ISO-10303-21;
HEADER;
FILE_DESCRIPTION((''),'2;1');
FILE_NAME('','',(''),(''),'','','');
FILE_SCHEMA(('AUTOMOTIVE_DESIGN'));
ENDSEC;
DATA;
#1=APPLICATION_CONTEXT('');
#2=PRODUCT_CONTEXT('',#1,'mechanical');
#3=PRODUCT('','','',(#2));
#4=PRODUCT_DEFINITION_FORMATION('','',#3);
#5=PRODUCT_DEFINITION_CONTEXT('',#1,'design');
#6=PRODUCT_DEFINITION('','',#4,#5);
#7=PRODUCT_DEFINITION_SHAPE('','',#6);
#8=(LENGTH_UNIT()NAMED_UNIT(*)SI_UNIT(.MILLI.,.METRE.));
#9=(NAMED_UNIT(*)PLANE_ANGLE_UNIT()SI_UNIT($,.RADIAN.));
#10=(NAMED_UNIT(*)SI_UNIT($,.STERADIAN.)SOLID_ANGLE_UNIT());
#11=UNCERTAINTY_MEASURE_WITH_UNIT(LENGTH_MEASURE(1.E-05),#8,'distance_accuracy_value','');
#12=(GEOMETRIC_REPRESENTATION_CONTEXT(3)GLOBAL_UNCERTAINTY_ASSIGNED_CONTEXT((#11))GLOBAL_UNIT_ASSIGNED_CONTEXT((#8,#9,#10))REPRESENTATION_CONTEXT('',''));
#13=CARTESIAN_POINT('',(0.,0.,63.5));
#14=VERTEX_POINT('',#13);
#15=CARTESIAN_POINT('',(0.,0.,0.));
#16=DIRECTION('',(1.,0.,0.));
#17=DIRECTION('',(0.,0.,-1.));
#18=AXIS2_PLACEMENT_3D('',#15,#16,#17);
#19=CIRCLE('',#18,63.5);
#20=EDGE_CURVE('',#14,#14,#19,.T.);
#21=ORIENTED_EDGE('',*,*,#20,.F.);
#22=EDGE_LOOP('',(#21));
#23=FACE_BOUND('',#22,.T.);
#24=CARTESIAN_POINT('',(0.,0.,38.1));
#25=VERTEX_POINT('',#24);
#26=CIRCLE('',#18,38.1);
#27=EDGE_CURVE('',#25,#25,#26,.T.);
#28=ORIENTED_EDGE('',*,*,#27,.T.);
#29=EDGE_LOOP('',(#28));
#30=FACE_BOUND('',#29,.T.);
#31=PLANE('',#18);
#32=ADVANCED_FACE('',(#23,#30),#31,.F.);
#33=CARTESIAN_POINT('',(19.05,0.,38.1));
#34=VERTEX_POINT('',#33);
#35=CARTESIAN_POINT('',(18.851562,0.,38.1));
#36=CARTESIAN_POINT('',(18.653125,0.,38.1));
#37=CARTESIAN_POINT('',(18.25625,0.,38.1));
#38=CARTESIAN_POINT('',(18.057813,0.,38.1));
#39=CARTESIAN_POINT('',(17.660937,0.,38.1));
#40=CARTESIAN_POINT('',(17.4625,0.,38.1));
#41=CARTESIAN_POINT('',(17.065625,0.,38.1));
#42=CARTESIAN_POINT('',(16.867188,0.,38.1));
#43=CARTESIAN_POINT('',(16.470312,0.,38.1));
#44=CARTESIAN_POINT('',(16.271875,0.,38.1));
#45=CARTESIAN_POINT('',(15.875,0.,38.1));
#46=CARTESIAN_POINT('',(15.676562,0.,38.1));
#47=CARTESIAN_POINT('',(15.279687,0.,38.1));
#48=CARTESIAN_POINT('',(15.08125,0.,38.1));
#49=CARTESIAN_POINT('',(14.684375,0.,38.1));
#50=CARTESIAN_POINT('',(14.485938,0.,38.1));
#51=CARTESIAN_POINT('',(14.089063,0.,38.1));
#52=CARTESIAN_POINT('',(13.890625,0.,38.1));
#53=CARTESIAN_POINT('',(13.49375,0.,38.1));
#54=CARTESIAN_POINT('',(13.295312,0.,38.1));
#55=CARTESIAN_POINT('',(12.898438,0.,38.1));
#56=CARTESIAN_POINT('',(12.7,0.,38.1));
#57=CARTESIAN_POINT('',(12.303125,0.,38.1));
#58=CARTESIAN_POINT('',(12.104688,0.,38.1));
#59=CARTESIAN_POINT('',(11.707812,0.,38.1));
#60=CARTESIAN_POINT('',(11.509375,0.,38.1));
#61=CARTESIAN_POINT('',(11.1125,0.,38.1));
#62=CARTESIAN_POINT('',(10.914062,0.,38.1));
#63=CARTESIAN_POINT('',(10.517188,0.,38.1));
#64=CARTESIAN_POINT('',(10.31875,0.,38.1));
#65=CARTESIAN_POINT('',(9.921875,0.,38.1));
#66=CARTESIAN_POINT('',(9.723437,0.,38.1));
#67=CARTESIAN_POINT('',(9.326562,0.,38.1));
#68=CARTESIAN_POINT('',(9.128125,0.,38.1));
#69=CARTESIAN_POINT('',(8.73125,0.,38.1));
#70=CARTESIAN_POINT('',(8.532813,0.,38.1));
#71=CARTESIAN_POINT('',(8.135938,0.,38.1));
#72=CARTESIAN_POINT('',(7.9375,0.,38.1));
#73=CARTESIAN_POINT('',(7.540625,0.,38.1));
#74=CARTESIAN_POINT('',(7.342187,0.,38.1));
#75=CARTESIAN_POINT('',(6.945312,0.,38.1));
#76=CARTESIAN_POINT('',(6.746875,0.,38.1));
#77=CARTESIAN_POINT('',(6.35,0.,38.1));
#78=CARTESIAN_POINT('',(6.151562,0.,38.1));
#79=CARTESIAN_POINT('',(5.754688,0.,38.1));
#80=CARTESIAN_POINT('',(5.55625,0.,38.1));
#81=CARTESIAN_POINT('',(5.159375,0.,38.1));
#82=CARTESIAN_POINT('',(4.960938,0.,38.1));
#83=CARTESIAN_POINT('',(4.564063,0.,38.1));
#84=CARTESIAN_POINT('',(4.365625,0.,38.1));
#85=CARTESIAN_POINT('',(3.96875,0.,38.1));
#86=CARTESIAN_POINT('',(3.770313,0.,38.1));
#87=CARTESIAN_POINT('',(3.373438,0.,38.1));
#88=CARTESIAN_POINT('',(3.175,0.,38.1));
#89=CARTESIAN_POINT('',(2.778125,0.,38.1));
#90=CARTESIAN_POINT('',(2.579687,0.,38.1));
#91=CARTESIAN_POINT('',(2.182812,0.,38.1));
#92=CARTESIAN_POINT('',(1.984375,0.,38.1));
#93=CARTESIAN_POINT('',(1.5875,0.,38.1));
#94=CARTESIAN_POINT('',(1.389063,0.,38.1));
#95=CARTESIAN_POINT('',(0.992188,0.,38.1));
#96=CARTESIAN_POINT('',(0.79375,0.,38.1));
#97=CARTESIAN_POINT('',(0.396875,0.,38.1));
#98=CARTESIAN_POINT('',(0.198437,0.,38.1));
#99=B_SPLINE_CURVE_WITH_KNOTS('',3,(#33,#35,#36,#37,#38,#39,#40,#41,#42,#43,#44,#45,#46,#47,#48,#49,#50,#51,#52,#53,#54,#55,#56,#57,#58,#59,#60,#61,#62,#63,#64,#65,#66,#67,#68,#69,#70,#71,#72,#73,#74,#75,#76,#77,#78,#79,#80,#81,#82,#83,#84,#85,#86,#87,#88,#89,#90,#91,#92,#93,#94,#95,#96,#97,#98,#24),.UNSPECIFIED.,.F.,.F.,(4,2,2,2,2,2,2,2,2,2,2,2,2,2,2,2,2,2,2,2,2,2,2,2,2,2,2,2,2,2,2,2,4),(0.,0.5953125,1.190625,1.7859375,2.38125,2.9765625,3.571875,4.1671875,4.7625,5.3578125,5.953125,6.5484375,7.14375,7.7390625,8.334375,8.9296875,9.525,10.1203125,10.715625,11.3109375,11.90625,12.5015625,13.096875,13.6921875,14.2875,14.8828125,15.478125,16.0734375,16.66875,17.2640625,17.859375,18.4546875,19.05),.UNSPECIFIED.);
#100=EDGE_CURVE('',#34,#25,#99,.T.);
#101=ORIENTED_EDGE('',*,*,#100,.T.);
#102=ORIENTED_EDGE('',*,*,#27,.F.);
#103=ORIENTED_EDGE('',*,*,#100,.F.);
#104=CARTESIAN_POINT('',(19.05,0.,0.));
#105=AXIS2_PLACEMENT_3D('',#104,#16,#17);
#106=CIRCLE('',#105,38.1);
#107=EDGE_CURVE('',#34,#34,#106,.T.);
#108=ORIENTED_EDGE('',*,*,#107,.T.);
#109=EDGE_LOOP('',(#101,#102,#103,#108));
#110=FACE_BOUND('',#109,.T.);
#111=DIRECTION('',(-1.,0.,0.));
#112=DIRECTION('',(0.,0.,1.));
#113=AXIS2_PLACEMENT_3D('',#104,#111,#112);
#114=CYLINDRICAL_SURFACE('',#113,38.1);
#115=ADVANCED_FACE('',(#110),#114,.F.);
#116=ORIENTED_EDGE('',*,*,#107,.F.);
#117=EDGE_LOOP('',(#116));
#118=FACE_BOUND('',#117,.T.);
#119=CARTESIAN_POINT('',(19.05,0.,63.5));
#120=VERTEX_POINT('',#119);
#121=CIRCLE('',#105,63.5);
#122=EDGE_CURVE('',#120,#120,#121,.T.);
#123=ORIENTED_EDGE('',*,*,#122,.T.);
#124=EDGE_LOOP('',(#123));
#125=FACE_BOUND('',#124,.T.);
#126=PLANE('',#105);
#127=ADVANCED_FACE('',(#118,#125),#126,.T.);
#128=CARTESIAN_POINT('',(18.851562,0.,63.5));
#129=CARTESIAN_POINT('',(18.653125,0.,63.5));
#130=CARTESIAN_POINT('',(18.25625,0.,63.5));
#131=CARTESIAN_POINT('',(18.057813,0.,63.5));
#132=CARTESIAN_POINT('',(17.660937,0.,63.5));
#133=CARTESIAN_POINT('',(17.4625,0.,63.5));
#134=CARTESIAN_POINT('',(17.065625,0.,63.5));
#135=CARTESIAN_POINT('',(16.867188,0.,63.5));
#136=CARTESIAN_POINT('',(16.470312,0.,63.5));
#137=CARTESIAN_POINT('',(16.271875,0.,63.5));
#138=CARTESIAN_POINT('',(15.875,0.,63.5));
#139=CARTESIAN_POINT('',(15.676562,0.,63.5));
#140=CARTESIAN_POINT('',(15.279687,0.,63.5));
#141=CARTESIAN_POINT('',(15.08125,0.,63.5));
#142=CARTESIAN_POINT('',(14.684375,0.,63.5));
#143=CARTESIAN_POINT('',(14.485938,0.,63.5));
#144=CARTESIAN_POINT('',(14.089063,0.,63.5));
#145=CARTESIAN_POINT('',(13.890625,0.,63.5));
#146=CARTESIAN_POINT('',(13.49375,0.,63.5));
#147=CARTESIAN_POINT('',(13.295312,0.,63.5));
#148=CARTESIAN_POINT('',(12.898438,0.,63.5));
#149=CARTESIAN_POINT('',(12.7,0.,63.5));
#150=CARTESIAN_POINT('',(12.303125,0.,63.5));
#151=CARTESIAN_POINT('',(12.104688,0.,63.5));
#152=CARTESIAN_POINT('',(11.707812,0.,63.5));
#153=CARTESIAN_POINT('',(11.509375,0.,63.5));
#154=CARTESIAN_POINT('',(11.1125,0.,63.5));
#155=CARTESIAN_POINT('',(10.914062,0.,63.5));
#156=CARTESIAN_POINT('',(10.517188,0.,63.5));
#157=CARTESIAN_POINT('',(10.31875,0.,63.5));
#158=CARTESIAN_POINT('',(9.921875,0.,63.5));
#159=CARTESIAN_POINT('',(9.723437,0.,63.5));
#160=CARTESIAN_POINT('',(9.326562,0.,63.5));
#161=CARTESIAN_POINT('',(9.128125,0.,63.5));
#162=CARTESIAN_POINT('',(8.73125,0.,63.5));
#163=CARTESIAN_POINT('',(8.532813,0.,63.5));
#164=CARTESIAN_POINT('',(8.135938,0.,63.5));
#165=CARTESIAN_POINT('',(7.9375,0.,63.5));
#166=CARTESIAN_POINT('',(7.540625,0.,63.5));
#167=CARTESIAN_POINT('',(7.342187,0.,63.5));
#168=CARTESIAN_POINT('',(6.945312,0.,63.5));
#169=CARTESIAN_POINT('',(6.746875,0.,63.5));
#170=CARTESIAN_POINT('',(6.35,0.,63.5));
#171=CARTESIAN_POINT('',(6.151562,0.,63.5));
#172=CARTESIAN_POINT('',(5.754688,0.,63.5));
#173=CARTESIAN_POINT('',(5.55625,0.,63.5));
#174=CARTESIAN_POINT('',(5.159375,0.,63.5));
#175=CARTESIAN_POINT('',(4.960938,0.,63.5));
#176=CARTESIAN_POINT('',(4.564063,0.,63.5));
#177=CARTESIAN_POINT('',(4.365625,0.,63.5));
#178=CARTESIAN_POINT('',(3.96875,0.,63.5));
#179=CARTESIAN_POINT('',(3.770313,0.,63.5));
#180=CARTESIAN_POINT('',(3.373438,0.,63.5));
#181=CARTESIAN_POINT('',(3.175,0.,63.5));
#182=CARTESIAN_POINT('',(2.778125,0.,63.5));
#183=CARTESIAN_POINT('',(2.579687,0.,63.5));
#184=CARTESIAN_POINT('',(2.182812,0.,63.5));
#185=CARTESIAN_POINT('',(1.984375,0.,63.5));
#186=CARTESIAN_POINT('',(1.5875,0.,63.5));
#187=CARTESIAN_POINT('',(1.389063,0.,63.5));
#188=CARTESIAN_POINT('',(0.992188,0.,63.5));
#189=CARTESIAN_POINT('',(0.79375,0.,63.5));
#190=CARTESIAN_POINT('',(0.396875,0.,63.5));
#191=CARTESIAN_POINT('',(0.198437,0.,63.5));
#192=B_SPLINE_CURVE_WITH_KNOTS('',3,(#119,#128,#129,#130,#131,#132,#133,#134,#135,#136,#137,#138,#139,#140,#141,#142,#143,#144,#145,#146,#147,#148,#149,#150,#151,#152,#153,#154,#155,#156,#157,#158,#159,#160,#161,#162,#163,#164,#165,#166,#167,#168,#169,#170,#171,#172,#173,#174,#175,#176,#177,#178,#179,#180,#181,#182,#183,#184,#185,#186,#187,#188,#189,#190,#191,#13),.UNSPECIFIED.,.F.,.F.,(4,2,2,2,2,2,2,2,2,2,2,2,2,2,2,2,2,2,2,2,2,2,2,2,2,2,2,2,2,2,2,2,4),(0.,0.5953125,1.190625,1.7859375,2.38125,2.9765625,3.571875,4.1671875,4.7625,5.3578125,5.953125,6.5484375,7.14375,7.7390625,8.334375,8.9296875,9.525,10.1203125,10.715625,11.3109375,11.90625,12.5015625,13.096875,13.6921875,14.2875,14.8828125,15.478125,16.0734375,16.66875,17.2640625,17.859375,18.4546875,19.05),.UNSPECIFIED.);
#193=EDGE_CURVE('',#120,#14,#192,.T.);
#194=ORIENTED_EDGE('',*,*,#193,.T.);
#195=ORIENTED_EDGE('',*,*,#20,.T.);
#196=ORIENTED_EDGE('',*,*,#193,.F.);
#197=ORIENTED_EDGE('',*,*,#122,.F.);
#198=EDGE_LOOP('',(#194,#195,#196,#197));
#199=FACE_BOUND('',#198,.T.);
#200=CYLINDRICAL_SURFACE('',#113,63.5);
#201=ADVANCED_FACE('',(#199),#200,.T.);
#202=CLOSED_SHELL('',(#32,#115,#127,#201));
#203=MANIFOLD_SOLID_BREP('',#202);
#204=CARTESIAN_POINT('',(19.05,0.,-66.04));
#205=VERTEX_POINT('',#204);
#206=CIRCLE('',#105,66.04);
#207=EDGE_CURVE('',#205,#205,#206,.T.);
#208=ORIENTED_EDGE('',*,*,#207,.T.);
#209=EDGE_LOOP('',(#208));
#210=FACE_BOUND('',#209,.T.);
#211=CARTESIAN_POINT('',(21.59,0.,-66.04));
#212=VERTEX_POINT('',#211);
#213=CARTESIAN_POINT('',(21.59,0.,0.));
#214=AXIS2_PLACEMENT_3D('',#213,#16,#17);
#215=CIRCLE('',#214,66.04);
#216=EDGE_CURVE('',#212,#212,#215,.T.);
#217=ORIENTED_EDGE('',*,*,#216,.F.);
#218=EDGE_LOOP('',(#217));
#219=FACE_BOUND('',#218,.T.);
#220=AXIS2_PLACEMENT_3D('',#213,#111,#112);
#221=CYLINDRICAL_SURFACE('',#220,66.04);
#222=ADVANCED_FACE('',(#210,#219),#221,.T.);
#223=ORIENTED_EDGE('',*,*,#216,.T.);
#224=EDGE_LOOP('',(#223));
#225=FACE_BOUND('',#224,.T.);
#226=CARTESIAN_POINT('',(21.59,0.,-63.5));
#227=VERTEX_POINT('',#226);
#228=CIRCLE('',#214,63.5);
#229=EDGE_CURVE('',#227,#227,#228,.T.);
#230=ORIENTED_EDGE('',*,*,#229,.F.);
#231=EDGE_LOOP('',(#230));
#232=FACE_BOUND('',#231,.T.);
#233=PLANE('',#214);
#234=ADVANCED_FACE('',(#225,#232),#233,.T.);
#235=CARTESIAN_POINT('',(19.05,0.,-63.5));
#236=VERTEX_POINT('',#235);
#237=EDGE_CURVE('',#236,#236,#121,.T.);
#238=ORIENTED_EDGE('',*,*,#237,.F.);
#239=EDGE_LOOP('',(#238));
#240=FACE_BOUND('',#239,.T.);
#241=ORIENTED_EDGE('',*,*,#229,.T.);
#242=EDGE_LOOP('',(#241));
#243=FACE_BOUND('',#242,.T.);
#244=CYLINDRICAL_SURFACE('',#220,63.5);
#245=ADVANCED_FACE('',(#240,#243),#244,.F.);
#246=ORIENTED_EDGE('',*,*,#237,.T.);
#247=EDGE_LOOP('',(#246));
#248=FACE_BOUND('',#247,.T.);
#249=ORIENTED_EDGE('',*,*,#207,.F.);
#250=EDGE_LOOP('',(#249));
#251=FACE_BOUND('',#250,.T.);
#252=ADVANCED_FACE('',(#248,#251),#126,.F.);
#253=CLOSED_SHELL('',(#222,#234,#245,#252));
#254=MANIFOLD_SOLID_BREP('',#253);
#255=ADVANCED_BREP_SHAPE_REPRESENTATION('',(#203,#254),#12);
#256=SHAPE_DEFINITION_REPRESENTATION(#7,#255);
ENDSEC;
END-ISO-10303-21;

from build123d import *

# Parameters (mm, degrees)
SKETCH1_R           = 63.5
SKETCH1_R_2         = 38.1
BOSS_EXTRUDE1_DEPTH = 19.05
SKETCH2_R           = 66.04
SKETCH2_R_2         = 63.5
BOSS_EXTRUDE2_DEPTH = 2.54


with BuildPart() as part:
    # Sketch1 → Boss-Extrude1 (new body)
    with BuildSketch(Plane(origin=(0, 0, 0), x_dir=(0, 0, -1), z_dir=(1, 0, 0))):
        with Locations(Location((0, 0, 0), (0, 0, 180))):
            Circle(SKETCH1_R)
        with Locations(Location((0, 0, 0), (0, 0, 180))):
            Circle(SKETCH1_R_2, mode=Mode.SUBTRACT)
    extrude(amount=BOSS_EXTRUDE1_DEPTH)


with BuildPart() as body_2:
    # Sketch2 → Boss-Extrude2 (new body)
    with BuildSketch(Plane(origin=(19.05, 0, 0), x_dir=(0, 0, -1), z_dir=(1, 0, 0))):
        Circle(SKETCH2_R)
        Circle(SKETCH2_R_2, mode=Mode.SUBTRACT)
    extrude(amount=BOSS_EXTRUDE2_DEPTH)


solid = Compound([part.part, body_2.part])
